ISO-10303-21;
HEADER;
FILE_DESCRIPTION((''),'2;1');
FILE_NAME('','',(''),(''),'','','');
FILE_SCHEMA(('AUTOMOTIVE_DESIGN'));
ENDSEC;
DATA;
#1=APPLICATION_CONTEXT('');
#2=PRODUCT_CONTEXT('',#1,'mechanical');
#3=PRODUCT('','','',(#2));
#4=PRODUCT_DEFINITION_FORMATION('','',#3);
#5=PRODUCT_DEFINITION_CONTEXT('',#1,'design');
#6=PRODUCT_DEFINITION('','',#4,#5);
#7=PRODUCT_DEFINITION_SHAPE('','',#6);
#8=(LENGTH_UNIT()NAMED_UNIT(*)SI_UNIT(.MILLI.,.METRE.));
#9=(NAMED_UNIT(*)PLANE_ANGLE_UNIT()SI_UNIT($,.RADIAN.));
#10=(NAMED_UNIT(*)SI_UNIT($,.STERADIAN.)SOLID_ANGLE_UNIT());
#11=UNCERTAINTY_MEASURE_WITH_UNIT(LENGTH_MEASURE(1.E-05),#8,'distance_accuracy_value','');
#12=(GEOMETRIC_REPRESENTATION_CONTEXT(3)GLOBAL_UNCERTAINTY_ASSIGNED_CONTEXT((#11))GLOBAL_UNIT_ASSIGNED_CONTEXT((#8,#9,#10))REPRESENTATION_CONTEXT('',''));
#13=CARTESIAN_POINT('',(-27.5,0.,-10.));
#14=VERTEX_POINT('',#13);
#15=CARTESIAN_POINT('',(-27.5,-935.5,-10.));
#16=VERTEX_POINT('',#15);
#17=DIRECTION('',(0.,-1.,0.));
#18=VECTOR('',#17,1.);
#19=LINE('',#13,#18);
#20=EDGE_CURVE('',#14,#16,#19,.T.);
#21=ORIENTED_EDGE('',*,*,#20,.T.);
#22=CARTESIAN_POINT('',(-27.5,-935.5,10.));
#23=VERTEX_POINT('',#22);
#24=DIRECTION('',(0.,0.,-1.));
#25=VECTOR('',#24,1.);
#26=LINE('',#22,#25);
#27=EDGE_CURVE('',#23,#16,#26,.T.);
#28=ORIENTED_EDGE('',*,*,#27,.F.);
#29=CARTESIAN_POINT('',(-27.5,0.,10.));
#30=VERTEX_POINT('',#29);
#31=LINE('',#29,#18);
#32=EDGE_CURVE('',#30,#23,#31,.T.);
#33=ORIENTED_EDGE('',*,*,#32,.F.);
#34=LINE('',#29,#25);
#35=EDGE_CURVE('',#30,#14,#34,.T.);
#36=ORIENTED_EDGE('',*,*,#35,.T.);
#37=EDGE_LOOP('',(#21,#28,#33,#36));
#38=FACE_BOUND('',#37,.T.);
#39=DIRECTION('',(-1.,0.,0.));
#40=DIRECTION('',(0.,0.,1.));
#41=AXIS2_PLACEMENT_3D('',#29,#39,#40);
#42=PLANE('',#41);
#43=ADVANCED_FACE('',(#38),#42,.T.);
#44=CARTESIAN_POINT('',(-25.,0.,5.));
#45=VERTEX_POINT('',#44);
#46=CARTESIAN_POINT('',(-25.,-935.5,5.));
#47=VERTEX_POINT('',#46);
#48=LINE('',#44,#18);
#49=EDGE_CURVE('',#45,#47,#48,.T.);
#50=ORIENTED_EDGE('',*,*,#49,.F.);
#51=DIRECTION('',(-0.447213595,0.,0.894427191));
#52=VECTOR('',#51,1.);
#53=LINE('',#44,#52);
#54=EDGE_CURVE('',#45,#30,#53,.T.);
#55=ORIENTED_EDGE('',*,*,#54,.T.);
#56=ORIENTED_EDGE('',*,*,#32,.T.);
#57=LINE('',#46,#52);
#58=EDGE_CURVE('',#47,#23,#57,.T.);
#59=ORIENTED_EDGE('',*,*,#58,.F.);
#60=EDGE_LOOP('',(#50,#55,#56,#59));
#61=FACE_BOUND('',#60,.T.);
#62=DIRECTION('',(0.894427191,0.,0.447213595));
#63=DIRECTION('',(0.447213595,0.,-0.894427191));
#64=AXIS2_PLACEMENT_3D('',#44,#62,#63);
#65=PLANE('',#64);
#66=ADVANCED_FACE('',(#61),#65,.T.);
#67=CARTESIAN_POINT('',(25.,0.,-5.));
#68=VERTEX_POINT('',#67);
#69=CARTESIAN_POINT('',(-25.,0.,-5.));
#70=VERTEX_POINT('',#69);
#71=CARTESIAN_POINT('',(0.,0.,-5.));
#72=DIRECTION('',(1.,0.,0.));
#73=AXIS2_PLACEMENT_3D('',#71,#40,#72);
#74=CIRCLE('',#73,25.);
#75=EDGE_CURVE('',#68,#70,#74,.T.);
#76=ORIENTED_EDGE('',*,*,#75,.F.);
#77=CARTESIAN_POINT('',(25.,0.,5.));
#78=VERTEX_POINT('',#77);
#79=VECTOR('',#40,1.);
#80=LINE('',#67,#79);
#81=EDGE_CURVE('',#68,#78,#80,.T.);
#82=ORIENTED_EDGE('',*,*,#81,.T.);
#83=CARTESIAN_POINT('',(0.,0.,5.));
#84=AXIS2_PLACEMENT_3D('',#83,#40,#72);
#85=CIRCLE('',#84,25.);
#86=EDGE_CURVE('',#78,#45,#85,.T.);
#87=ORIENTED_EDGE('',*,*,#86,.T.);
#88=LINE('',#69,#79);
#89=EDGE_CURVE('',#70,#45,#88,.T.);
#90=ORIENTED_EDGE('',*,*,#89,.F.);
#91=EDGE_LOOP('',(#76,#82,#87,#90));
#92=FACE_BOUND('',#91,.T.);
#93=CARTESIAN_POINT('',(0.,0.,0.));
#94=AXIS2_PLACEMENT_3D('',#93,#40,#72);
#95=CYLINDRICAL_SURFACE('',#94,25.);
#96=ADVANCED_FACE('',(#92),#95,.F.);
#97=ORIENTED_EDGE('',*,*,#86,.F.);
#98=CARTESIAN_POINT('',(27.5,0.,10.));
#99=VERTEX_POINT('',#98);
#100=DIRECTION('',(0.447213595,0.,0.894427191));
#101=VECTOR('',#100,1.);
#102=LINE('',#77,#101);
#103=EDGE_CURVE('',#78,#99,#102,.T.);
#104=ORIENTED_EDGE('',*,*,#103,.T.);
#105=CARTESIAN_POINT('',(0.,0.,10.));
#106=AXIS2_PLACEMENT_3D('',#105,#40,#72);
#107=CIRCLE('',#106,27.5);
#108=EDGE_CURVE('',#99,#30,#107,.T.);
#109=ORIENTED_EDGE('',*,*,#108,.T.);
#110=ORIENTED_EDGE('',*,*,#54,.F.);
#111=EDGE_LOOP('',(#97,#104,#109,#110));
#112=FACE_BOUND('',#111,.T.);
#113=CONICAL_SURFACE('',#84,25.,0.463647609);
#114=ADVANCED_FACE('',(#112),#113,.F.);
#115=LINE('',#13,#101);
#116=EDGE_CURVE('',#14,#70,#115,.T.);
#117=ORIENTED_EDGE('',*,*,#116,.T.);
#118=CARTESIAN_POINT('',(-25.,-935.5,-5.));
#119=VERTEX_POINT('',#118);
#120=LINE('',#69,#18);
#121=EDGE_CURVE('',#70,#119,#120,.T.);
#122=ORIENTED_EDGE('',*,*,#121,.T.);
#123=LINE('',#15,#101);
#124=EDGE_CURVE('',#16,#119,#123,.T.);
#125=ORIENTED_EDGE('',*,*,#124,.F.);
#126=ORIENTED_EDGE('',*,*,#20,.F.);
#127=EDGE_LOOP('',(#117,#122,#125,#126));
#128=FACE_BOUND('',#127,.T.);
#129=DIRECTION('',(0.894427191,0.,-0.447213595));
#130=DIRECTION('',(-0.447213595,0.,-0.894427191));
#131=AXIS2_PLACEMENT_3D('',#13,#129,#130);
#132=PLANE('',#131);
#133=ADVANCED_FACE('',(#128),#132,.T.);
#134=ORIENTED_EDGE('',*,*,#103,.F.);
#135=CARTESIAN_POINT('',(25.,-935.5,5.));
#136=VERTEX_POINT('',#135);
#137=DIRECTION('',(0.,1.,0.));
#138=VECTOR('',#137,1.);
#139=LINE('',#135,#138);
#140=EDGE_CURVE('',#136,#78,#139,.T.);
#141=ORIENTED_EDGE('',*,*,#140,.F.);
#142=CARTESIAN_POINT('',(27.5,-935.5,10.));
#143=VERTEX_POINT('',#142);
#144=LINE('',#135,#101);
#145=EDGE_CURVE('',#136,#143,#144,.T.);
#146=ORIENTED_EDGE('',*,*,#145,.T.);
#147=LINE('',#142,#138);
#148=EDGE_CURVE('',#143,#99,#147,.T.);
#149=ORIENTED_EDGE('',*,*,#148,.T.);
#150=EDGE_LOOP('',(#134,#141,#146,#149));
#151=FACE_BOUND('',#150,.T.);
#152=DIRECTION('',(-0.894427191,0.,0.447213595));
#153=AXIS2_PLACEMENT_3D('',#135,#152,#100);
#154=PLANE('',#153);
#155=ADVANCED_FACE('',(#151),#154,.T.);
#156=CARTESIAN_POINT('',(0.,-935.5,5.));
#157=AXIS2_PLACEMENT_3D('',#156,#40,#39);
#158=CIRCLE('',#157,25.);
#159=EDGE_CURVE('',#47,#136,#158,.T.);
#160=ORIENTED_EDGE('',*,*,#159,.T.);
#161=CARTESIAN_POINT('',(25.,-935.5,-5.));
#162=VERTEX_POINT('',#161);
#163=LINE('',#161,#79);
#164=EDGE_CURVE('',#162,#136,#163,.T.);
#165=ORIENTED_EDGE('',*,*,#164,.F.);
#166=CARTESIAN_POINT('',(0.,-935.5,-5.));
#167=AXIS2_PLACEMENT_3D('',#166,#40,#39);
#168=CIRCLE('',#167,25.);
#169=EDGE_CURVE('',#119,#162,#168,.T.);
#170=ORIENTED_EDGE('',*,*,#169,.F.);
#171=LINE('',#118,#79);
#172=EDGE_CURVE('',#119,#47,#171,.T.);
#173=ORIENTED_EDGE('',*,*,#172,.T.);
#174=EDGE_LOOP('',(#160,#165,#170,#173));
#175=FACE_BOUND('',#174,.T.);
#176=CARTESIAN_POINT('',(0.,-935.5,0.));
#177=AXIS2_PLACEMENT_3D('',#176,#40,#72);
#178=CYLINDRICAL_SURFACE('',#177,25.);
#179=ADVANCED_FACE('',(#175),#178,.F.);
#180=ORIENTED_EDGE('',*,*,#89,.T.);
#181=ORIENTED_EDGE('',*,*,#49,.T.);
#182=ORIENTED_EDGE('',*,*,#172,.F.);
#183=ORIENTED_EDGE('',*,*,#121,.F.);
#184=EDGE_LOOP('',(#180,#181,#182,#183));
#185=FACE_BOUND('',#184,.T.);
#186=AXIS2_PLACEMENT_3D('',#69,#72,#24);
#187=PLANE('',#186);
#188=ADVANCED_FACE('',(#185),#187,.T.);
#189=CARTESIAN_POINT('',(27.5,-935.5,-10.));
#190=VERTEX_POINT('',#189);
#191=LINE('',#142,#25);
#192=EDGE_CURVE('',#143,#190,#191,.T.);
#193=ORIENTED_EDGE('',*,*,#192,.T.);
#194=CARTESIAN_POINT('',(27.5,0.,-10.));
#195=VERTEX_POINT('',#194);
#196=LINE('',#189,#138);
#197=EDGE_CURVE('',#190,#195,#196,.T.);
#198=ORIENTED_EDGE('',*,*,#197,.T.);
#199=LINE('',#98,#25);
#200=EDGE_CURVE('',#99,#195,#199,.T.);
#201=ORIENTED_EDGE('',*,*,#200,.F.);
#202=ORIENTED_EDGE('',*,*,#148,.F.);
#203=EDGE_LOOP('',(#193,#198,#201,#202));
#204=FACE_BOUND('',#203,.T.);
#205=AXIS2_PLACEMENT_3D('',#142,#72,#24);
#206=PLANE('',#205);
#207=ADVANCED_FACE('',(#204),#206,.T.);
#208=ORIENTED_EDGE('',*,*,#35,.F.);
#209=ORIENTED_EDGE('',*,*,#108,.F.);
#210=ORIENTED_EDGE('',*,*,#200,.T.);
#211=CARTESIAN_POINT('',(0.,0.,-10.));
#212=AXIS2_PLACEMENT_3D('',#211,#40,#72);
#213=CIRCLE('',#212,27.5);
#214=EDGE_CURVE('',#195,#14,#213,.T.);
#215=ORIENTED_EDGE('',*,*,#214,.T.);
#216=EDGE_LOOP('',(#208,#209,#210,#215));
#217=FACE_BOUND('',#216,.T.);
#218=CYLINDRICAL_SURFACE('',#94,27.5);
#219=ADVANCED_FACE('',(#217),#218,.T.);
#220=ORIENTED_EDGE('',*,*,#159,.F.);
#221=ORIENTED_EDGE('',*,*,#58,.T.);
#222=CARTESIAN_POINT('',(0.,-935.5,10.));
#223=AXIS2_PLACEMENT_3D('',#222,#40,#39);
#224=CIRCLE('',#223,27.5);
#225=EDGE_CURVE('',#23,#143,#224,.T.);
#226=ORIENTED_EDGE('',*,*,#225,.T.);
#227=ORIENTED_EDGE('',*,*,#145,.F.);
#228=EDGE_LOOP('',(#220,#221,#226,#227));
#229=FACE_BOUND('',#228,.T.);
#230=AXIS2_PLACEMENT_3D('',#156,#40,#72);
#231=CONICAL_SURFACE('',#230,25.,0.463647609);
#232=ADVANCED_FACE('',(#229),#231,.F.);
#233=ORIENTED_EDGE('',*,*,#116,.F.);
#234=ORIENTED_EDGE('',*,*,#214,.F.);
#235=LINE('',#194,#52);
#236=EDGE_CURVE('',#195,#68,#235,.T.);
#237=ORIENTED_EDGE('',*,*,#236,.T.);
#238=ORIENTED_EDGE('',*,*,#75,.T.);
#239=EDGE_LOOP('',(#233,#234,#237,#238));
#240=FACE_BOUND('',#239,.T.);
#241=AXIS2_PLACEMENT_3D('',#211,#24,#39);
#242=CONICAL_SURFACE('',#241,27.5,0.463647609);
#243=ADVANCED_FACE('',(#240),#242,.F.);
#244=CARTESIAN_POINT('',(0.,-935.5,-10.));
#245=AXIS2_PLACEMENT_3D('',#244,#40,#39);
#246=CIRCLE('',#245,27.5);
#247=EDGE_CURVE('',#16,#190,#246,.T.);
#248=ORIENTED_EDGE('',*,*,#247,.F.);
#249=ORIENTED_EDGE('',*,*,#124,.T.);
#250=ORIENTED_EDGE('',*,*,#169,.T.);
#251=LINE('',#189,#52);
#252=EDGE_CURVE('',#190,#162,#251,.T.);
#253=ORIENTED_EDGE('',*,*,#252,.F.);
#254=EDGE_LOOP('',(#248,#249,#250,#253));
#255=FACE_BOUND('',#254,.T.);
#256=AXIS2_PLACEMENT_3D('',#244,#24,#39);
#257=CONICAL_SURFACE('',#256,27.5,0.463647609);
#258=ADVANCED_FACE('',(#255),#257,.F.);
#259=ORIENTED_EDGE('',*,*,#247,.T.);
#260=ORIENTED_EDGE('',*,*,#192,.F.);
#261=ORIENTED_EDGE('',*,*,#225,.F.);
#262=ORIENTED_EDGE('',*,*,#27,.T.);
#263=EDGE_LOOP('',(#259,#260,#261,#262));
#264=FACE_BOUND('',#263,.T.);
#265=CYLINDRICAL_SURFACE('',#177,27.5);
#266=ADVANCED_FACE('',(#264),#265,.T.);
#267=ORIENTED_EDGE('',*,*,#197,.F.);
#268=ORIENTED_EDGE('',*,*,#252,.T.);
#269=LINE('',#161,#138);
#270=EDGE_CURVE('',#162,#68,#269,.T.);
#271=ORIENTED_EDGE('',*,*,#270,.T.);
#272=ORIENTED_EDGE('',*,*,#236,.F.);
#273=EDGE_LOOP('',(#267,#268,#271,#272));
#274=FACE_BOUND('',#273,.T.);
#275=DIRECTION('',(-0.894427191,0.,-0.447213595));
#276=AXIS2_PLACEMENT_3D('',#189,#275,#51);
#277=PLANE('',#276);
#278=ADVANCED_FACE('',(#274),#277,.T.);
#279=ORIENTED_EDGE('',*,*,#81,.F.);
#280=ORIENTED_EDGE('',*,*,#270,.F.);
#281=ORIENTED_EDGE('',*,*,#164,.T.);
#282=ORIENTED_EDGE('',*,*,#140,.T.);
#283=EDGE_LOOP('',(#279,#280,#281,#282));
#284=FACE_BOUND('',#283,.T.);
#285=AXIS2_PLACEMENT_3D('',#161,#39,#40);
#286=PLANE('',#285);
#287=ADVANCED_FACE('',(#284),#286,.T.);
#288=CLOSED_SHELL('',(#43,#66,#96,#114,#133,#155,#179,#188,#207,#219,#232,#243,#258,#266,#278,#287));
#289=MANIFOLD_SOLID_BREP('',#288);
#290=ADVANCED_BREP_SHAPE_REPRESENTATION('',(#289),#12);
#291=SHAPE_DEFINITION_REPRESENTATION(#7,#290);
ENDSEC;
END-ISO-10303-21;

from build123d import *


with BuildPart() as part:
    # Sweep1: sweep along a path in Sketch2
    with BuildLine(Plane.XY) as sweep1_path:
        Line((25, 0), (25, -935.5))
        ThreePointArc((25, -935.5), (0, -960.5), (-25, -935.5))
        Line((-25, -935.5), (-25, 0))
        ThreePointArc((-25, 0), (0, 25), (25, 0))
    # Sketch3 → Sweep1 (sweep)
    with BuildSketch(Plane(origin=(0, 0, 0), x_dir=(1, 0, 0), z_dir=(0, 1, 0))):
        Polygon((25, 5), (25, -5), (27.5, -10), (27.5, 10), align=None)
    sweep(path=sweep1_path.line)


solid = part.part
